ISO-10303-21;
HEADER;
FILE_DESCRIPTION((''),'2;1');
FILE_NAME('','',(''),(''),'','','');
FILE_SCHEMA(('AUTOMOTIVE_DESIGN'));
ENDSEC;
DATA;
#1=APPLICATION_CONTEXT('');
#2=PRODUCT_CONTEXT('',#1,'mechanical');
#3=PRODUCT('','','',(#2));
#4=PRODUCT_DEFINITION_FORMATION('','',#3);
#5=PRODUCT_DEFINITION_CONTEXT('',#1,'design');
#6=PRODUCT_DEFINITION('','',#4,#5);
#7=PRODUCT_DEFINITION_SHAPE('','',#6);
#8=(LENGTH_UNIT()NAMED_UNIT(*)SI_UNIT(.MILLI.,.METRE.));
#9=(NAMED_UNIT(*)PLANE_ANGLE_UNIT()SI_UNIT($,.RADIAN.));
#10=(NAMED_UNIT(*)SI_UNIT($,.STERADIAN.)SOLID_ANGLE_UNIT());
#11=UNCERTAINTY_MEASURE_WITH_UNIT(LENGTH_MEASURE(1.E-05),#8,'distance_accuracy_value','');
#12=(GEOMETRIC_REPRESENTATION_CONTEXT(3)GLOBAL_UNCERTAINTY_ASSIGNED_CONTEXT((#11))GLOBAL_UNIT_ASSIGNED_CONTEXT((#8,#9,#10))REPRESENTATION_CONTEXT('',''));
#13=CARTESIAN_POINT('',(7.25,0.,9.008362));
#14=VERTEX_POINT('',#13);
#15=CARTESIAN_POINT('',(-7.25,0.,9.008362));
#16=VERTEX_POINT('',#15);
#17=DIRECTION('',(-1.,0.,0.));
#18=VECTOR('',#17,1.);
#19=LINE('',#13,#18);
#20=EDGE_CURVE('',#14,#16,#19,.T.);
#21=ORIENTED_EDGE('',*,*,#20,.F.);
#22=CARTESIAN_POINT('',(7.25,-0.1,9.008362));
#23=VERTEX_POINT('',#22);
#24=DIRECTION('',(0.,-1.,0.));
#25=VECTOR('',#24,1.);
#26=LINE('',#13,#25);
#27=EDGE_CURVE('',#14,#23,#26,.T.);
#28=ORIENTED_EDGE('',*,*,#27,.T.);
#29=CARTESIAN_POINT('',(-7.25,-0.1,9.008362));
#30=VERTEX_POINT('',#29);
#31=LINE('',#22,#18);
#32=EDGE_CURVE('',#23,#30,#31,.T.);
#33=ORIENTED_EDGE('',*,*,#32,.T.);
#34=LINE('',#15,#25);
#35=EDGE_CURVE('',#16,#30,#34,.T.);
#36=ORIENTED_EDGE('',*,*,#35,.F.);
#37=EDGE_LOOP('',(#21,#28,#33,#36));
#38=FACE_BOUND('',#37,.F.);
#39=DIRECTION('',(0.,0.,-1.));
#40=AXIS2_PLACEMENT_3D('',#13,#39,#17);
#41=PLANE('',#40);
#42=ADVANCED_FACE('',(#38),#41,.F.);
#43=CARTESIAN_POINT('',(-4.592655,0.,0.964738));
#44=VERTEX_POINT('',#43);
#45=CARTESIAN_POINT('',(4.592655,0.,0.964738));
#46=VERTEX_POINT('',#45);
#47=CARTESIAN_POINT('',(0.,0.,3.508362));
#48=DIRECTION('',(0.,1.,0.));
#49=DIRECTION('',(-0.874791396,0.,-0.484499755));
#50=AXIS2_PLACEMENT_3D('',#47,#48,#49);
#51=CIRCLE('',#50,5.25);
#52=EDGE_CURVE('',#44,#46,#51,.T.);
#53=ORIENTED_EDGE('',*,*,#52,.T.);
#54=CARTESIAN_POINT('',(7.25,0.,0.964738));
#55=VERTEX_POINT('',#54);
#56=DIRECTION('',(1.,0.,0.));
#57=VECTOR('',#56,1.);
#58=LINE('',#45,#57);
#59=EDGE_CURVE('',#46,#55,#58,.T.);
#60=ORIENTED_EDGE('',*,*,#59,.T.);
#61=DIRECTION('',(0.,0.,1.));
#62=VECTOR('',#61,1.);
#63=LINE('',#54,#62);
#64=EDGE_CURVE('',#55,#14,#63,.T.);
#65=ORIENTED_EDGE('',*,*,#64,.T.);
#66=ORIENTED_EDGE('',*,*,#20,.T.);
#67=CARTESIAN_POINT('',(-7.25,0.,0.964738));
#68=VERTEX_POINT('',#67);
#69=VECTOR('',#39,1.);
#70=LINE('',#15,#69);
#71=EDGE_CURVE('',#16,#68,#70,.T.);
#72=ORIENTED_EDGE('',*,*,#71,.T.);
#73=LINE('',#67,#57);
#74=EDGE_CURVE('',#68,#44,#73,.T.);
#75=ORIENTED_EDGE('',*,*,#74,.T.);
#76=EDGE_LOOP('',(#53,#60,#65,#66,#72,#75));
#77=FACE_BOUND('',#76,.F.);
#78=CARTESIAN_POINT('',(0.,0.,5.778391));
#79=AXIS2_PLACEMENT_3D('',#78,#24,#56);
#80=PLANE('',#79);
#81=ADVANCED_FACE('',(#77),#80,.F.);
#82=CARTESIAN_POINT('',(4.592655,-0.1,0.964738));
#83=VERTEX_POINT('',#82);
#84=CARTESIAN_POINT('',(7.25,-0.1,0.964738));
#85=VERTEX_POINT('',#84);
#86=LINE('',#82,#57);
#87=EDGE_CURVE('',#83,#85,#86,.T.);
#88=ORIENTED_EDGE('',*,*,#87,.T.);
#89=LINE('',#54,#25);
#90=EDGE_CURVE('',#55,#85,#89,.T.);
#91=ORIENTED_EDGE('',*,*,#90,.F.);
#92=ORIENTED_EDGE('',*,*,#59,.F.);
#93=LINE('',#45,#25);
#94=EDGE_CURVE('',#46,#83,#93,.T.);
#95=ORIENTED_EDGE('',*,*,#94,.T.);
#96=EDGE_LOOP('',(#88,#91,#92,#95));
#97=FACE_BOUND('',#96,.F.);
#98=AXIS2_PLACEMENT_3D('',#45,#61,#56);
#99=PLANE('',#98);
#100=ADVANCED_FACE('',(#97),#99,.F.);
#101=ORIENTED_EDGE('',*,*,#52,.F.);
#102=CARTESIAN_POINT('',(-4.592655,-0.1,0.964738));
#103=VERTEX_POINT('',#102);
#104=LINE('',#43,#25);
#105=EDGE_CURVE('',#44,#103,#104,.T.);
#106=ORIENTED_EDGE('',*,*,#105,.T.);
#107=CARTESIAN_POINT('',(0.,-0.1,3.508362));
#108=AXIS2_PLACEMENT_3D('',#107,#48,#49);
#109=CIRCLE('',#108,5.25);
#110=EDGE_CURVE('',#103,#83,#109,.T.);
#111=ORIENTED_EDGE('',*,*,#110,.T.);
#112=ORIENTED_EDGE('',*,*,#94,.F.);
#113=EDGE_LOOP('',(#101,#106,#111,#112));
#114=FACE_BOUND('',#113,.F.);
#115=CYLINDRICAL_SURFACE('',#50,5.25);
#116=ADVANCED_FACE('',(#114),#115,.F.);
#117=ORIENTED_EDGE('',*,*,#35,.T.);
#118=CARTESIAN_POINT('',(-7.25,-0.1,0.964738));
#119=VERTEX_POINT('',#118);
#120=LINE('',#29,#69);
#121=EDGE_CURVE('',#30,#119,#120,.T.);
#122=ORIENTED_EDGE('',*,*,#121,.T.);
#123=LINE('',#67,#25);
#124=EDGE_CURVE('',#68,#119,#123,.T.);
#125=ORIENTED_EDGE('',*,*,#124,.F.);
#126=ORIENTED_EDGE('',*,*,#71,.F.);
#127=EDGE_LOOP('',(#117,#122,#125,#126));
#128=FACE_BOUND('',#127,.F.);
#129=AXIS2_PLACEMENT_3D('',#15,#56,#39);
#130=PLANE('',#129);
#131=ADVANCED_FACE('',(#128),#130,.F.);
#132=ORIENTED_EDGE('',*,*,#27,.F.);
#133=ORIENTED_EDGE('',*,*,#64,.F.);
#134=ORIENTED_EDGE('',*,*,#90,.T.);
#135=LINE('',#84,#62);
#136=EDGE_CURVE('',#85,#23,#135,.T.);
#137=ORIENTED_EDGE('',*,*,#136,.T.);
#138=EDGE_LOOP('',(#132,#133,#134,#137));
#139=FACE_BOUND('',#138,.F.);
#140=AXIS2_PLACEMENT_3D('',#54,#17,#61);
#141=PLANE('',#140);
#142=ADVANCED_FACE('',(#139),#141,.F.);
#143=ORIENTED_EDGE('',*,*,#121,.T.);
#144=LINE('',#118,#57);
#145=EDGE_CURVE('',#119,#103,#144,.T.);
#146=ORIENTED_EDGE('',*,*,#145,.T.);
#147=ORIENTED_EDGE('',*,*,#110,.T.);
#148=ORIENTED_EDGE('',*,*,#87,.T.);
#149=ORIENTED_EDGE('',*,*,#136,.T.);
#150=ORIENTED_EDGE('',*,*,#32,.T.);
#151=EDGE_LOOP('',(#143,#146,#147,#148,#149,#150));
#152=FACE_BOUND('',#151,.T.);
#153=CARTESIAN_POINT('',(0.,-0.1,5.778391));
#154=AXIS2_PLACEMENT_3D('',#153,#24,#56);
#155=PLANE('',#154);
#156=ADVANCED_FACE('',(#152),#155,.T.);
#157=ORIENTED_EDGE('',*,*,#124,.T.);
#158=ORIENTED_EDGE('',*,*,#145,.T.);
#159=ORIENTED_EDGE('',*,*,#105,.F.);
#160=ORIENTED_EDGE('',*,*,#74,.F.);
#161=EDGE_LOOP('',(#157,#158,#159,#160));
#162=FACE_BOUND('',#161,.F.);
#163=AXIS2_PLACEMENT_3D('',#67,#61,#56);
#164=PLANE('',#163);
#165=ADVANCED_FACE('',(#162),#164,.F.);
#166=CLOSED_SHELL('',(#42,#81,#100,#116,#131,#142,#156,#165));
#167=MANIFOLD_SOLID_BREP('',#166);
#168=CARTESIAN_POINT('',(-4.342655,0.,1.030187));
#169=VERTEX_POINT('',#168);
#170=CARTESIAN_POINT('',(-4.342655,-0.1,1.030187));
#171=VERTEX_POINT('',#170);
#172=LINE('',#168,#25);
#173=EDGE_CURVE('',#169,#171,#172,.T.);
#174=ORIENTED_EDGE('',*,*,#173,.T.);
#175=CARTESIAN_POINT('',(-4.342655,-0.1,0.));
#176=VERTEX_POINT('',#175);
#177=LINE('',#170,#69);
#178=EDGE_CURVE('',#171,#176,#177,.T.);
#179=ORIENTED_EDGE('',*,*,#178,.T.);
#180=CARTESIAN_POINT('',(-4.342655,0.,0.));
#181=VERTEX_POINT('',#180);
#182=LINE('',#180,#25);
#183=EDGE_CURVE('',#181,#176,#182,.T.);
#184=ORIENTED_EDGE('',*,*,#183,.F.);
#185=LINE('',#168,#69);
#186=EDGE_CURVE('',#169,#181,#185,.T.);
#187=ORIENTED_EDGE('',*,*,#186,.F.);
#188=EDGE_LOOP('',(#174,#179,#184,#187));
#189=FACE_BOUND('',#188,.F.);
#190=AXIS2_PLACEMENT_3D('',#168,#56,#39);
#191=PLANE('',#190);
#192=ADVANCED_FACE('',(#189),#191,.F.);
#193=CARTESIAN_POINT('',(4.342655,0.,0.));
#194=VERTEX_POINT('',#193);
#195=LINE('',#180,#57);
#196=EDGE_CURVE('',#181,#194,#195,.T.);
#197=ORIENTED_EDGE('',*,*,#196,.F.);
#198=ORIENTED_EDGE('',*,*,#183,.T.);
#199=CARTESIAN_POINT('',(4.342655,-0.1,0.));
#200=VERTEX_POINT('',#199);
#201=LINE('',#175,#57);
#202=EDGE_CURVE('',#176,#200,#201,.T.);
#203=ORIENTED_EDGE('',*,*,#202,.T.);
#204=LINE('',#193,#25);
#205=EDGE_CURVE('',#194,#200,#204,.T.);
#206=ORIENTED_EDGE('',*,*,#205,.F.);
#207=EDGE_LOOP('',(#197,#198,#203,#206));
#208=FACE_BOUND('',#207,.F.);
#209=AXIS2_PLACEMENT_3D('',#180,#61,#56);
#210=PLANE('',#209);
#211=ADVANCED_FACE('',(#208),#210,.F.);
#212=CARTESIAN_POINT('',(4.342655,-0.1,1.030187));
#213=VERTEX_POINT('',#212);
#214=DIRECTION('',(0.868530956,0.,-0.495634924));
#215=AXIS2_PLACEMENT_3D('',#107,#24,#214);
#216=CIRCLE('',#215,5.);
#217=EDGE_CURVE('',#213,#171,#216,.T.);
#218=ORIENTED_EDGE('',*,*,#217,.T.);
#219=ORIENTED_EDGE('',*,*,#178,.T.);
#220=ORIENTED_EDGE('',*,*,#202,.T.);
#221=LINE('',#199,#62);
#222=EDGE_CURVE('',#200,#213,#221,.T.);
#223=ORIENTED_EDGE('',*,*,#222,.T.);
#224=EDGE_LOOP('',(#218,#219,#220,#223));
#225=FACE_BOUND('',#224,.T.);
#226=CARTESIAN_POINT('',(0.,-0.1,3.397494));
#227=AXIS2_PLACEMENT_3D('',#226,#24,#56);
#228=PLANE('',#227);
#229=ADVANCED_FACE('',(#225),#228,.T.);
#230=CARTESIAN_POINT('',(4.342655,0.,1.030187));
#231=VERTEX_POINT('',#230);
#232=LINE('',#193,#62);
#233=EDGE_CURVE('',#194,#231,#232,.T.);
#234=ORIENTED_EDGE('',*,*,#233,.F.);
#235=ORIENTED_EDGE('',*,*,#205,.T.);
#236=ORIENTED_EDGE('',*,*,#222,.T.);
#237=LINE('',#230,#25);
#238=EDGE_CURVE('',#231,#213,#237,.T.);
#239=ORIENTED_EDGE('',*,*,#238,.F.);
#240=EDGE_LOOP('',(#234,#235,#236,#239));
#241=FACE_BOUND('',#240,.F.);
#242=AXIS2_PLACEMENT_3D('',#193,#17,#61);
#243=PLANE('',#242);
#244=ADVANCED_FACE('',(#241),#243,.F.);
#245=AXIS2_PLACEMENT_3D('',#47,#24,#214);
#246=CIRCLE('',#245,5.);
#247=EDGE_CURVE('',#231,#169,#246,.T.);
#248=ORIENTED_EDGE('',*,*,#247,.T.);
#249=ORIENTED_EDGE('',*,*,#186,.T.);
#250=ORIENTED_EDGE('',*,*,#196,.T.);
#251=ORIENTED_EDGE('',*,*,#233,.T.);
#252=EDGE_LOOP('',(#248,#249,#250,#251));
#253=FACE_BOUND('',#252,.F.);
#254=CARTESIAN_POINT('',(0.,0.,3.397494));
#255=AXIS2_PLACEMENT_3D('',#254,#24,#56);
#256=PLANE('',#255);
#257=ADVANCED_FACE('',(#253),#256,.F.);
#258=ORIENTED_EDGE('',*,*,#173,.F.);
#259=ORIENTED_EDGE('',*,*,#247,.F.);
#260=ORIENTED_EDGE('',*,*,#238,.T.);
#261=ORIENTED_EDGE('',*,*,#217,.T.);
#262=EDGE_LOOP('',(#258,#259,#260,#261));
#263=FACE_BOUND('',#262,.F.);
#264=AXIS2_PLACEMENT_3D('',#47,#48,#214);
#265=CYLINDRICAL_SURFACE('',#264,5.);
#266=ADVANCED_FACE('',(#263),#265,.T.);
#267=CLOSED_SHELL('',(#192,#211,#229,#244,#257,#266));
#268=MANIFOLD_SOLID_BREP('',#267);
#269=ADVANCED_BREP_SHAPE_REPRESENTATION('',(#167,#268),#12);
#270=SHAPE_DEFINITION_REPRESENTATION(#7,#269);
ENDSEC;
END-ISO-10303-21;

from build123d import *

# Parameters (mm, degrees)
F1_DEPTH = 0.1


with BuildPart() as f1:
    # F0 (on Front) → F1 (new body)
    with BuildSketch(Plane.XZ):
        with BuildLine():
            Line((7.25, 9.008362), (-7.25, 9.008362))
            Line((-7.25, 9.008362), (-7.25, 0.964738))
            Line((-7.25, 0.964738), (-4.592655, 0.964738))
            ThreePointArc((-4.592655, 0.964738), (0, 8.758362), (4.592655, 0.964738))
            Line((4.592655, 0.964738), (7.25, 0.964738))
            Line((7.25, 0.964738), (7.25, 9.008362))
        make_face()
        with BuildLine():
            Line((-4.342655, 1.030187), (-4.342655, 0))
            Line((-4.342655, 0), (4.342655, 0))
            Line((4.342655, 0), (4.342655, 1.030187))
            ThreePointArc((4.342655, 1.030187), (0, 8.508362), (-4.342655, 1.030187))
        make_face()
    extrude(amount=F1_DEPTH)


solid = f1.part
